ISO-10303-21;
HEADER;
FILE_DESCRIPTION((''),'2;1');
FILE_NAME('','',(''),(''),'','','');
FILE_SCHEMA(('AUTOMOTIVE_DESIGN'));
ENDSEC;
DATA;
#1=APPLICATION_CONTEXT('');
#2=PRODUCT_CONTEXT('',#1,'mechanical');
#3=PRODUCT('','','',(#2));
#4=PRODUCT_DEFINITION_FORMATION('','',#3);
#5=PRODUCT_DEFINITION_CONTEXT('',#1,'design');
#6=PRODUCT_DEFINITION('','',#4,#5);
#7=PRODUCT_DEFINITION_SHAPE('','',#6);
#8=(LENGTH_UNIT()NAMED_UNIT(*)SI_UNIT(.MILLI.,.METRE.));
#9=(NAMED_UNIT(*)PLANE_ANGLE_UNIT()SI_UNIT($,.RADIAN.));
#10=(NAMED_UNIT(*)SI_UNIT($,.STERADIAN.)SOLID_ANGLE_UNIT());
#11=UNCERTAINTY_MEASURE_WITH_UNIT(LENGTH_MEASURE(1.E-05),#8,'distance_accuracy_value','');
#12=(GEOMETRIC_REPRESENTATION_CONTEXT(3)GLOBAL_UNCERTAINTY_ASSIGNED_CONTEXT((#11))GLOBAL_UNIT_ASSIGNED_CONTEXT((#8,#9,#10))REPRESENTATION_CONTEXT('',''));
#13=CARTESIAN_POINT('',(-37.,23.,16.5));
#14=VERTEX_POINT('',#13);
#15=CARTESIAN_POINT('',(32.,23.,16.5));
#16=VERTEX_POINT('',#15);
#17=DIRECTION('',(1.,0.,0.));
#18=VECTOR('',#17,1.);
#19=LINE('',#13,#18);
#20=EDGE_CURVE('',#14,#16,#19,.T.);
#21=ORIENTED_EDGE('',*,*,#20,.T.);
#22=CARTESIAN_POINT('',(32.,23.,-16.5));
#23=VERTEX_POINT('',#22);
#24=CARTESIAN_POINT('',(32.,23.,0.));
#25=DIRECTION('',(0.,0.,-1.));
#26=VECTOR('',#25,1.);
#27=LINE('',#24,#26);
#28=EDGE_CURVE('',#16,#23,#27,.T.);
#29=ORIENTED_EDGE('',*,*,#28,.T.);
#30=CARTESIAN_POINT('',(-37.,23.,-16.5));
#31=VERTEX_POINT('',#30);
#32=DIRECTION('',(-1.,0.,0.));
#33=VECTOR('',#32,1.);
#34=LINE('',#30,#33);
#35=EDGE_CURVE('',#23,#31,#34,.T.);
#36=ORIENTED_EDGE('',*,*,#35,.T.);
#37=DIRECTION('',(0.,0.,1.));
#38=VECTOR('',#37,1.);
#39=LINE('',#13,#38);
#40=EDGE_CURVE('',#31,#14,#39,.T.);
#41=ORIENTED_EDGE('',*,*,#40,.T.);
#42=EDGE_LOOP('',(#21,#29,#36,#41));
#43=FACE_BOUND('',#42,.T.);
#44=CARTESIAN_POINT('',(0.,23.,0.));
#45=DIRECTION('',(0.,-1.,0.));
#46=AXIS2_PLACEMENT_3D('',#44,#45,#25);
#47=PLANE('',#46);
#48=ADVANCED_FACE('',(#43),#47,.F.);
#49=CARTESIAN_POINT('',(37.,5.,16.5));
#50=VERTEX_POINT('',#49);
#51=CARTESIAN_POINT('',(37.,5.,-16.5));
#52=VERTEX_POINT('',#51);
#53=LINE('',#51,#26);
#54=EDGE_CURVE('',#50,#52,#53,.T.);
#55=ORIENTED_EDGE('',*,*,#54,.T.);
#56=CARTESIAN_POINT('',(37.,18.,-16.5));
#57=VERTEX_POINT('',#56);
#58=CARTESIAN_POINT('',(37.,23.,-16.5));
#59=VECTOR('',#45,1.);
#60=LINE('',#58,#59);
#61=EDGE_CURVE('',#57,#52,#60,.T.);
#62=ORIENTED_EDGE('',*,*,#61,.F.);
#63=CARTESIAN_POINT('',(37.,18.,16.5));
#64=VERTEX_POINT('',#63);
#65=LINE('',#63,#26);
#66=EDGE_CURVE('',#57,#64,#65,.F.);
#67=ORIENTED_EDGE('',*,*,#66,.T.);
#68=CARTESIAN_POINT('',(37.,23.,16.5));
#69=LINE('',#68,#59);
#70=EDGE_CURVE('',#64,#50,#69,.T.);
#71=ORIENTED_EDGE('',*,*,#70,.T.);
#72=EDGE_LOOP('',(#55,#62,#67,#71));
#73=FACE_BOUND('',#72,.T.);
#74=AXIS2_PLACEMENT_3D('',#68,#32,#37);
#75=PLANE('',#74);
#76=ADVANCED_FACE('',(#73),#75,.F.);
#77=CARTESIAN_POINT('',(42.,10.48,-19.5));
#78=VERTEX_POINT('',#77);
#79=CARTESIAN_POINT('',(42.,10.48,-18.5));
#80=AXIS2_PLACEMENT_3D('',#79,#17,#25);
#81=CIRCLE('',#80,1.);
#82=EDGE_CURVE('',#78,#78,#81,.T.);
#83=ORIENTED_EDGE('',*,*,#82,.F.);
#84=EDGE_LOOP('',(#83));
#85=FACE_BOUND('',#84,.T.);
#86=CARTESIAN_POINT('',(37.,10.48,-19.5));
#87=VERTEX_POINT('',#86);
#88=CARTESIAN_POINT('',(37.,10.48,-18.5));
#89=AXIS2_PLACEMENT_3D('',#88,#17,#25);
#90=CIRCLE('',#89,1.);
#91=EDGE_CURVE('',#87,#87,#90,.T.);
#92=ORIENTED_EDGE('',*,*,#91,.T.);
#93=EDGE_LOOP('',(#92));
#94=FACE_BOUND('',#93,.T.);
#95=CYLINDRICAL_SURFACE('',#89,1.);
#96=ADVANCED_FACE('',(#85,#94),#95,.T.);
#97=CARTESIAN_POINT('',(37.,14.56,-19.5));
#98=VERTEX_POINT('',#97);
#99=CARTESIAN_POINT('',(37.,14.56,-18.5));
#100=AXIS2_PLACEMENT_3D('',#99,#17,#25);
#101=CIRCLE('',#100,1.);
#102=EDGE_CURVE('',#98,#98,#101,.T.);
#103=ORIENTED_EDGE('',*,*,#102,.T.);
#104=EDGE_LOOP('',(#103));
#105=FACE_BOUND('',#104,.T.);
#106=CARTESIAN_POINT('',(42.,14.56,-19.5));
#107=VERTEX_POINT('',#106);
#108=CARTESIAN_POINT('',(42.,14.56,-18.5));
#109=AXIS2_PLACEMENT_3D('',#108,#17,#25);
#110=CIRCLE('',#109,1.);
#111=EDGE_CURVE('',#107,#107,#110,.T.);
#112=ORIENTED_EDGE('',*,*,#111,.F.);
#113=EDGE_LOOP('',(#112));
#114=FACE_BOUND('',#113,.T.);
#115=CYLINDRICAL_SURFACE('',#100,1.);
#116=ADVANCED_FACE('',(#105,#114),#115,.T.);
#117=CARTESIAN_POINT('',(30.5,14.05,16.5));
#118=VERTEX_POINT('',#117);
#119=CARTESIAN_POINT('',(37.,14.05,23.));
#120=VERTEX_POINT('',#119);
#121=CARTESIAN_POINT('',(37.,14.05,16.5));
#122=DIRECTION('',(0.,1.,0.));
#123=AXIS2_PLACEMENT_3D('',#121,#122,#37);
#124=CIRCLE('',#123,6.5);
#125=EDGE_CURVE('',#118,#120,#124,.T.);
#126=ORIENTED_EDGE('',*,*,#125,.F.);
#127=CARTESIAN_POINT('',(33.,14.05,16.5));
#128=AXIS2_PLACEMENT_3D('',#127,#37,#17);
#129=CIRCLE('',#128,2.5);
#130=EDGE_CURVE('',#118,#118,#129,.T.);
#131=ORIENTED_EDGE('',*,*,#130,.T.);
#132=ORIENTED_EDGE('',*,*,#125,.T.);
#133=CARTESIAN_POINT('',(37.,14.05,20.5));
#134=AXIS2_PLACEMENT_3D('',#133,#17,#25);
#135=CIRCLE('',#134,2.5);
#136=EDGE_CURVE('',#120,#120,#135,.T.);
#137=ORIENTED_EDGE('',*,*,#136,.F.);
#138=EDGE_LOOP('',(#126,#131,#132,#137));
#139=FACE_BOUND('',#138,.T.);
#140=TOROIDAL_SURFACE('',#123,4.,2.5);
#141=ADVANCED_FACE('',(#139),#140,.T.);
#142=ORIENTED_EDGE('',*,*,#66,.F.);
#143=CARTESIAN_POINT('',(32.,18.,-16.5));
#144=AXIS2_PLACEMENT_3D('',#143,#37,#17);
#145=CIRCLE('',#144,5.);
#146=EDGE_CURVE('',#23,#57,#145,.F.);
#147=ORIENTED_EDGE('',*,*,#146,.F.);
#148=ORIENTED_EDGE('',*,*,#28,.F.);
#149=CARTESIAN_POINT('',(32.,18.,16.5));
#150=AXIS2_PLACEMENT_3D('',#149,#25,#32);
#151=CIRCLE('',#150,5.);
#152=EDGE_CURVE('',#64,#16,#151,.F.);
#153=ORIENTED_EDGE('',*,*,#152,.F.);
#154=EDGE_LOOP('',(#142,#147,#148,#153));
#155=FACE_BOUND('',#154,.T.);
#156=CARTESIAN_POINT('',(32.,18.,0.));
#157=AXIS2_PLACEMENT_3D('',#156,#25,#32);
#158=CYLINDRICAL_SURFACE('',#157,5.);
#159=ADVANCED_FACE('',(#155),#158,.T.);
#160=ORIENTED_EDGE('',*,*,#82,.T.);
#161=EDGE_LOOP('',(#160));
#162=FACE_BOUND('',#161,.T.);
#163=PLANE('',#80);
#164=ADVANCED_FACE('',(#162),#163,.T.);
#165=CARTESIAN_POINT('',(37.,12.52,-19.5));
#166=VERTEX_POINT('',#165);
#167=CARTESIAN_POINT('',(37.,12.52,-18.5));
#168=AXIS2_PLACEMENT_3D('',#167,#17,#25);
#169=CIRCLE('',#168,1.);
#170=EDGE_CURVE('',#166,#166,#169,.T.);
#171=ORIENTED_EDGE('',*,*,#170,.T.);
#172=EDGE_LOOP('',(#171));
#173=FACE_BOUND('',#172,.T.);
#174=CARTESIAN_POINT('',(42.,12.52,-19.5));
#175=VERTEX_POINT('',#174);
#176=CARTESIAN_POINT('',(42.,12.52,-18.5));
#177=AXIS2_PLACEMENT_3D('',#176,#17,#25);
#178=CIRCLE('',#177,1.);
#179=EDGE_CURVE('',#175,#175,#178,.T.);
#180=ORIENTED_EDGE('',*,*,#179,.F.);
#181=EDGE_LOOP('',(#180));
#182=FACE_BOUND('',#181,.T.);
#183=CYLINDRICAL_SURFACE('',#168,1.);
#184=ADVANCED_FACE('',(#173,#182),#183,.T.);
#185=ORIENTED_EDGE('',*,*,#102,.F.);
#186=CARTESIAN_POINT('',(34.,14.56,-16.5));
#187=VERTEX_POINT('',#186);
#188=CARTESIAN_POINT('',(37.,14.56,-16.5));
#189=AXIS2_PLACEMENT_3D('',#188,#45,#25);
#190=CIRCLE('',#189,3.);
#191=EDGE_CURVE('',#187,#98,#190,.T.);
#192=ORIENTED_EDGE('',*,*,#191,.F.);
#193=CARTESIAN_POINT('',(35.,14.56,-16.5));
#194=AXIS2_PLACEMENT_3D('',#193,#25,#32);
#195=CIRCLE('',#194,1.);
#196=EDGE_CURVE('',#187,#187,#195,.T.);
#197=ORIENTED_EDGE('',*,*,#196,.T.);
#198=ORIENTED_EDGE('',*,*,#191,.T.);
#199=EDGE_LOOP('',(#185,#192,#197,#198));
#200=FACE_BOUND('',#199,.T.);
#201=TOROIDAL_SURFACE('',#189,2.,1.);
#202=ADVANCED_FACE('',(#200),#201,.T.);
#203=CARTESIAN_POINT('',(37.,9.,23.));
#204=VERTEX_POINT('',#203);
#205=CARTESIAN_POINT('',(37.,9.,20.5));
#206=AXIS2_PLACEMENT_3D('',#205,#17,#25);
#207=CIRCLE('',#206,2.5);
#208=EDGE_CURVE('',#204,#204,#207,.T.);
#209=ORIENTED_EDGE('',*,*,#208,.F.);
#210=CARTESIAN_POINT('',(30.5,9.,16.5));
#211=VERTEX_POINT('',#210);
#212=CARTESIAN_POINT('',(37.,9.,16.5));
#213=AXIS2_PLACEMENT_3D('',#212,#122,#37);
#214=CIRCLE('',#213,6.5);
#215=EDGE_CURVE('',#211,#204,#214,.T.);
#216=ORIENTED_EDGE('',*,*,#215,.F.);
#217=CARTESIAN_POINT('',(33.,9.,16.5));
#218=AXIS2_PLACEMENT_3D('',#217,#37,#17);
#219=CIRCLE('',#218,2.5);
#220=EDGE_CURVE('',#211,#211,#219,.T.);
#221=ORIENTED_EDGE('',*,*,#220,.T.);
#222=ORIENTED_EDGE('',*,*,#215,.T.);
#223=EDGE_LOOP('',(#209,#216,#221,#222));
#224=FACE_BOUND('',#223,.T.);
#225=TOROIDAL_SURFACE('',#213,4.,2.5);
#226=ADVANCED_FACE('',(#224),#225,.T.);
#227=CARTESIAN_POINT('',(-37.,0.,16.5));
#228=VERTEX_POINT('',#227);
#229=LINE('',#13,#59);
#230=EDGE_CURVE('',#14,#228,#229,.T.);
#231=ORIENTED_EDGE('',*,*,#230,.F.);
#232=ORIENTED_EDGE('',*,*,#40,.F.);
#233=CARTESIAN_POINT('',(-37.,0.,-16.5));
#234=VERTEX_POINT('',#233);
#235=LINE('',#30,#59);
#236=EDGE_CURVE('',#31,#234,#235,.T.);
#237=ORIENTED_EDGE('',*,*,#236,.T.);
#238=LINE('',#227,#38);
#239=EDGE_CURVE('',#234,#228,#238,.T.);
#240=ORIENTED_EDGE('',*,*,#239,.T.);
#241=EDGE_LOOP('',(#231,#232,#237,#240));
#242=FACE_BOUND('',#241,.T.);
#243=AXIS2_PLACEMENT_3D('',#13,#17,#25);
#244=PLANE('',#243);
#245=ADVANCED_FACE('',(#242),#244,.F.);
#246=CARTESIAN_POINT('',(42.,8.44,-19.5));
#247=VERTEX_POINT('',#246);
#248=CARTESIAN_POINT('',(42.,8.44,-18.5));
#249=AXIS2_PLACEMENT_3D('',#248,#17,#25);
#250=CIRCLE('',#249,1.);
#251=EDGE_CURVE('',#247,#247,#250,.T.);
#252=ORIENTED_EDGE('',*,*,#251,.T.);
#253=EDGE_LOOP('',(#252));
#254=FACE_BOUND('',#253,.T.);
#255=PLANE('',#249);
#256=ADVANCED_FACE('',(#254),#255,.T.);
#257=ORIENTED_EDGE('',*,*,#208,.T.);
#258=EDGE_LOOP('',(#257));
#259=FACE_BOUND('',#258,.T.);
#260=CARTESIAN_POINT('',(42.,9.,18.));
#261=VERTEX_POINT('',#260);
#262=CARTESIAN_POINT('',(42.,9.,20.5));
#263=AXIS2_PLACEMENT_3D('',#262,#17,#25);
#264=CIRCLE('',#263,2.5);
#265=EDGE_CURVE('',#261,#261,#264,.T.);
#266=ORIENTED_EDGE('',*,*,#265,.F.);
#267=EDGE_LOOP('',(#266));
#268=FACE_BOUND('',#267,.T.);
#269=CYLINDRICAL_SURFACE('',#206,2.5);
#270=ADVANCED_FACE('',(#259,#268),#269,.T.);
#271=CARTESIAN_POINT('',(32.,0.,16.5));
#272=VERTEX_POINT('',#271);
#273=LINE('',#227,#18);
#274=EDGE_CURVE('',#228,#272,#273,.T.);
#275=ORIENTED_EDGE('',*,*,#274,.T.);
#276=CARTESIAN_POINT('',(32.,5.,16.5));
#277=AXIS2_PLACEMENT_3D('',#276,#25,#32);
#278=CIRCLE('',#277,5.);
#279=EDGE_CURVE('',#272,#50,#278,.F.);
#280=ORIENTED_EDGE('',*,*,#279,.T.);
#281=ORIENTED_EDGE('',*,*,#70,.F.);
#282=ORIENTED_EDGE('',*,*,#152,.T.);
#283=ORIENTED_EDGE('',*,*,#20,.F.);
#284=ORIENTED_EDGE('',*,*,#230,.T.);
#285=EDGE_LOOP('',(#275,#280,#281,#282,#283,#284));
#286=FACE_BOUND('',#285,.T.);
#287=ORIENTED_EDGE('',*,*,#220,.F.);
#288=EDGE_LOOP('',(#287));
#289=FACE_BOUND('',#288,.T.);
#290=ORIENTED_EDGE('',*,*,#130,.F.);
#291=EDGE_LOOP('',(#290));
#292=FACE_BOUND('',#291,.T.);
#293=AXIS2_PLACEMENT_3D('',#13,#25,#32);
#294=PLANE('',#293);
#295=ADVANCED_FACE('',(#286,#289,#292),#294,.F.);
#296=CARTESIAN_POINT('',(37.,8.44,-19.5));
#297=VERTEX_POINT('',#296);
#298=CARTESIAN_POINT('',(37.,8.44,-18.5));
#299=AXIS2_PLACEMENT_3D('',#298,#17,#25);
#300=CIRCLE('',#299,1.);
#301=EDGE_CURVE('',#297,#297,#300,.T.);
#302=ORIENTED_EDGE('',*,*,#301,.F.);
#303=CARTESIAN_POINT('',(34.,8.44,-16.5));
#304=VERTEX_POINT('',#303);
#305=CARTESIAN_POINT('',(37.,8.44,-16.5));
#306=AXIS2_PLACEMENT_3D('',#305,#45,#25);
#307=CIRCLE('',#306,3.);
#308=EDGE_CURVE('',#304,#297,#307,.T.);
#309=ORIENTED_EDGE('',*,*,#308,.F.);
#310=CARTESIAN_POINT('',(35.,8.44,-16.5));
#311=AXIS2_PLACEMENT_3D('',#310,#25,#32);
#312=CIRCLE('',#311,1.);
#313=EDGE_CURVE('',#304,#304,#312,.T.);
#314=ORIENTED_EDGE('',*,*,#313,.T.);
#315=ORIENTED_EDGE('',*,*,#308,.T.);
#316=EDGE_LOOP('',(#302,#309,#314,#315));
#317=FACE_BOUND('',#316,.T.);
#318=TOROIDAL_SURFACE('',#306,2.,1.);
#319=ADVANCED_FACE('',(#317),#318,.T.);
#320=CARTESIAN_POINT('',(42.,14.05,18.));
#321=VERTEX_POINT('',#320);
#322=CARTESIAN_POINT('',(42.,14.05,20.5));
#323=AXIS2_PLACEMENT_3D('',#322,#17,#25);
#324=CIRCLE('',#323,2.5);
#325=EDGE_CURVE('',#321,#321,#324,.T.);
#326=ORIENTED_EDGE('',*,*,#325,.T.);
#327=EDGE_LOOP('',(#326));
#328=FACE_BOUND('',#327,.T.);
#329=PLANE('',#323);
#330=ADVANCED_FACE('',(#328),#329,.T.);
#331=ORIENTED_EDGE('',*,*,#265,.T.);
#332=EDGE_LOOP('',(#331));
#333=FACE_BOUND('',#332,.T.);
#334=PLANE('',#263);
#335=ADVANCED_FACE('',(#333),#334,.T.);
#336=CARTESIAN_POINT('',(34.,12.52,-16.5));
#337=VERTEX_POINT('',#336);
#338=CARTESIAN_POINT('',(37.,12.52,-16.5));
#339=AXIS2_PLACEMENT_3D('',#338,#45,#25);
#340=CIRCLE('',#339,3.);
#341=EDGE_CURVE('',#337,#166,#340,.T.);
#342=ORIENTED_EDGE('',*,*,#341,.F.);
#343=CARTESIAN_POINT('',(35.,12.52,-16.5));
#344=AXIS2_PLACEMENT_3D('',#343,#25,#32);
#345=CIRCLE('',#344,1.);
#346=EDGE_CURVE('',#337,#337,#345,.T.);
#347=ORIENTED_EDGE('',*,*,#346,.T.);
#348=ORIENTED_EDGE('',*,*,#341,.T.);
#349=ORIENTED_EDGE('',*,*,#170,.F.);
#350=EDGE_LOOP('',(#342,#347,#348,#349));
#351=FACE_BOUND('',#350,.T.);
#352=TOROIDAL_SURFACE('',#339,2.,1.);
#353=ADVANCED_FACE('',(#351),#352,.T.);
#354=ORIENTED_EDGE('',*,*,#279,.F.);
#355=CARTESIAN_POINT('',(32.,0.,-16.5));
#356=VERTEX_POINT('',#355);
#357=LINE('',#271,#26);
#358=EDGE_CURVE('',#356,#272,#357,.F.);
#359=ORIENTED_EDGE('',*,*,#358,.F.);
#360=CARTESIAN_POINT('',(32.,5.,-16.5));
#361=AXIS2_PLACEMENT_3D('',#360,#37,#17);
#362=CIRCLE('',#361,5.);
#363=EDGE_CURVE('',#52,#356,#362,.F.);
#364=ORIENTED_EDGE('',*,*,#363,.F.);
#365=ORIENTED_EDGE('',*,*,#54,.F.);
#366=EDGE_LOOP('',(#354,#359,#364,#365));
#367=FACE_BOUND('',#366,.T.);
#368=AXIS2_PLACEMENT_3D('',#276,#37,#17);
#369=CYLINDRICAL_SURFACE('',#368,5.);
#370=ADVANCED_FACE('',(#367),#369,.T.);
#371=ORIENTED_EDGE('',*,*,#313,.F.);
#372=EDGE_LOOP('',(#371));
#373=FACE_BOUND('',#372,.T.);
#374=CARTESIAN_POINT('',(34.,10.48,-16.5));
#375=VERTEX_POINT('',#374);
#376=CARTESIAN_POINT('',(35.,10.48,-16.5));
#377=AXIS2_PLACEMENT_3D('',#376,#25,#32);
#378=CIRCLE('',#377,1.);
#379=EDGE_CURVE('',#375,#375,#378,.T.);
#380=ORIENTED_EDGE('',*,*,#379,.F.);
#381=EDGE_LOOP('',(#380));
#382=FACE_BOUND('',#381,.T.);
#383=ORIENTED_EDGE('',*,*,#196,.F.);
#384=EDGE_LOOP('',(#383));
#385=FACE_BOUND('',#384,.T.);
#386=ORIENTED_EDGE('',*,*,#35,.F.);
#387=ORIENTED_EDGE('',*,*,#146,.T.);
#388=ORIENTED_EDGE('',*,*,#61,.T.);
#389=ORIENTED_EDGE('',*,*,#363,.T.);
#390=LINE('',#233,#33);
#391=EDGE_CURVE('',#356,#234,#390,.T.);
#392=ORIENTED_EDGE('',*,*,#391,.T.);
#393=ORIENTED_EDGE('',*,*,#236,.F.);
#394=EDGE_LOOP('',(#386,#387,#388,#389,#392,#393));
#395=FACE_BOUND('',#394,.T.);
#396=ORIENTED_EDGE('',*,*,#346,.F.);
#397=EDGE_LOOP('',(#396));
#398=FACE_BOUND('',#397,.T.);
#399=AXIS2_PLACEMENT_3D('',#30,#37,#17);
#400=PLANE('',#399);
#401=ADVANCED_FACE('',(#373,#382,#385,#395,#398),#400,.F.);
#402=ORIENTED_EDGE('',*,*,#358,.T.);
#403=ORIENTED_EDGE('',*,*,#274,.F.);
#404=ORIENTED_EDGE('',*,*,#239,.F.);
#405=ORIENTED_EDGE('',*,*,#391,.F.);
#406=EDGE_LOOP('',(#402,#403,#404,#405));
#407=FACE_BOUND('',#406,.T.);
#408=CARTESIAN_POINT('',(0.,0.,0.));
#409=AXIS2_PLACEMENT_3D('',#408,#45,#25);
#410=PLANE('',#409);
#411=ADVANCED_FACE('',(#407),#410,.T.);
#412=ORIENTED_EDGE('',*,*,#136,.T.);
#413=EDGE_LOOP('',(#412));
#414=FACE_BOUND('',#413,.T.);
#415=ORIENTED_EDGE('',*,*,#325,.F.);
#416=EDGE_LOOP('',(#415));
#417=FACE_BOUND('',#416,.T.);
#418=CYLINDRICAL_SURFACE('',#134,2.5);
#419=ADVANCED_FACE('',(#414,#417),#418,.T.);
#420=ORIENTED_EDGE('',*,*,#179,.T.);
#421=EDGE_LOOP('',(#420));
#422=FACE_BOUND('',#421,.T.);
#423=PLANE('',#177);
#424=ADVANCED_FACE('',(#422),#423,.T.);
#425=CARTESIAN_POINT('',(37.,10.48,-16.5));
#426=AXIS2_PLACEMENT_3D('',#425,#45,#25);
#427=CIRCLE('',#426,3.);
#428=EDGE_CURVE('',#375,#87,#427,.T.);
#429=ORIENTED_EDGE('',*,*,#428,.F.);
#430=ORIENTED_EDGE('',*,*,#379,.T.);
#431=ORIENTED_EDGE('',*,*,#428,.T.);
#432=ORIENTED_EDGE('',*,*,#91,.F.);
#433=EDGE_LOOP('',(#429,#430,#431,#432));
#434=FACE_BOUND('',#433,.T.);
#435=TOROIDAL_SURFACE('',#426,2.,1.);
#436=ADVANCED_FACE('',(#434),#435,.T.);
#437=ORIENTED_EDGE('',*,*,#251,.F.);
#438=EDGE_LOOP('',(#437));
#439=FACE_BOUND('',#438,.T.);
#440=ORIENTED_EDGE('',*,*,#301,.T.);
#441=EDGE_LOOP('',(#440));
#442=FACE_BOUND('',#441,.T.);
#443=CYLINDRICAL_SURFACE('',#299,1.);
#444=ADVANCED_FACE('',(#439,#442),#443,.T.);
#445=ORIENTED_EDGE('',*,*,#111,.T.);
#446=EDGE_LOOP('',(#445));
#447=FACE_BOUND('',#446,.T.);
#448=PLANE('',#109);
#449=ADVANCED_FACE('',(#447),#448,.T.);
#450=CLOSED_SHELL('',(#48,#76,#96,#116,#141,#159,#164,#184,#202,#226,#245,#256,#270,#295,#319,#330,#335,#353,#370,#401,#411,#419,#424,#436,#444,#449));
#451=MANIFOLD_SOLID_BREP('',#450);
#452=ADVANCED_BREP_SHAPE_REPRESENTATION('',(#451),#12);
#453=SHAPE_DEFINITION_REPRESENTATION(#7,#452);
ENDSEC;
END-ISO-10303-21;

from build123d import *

# Parameters (mm, degrees)
SKETCH1_W           = 74
SKETCH1_H           = 33
BOSS_EXTRUDE1_DEPTH = 23
FILLET1_R           = 5
SKETCH2_R           = 2.5
SKETCH9_R           = 1


with BuildPart() as part:
    # Sketch1 → Boss-Extrude1 (new body)
    with BuildSketch(Plane(origin=(0, 0, 0), x_dir=(1, 0, 0), z_dir=(0, 1, 0))):
        Rectangle(SKETCH1_W, SKETCH1_H)
    extrude(amount=BOSS_EXTRUDE1_DEPTH)

    # Fillet1
    fillet1_edges = [part.edges().sort_by_distance(p)[0] for p in [
        (37, 23, 0),
        (37, 0, 0),
    ]]
    fillet(fillet1_edges, radius=FILLET1_R)

    # Sweep5: sweep along a path in Sketch7
    with BuildLine(Plane(origin=(0, 0, 0), x_dir=(-1, 0, 0), z_dir=(0, -1, 0))) as sweep5_path:
        Line((-42, -20.5), (-37, -20.5))
        ThreePointArc((-37, -20.5), (-34.171572875, -19.328427125), (-33, -16.5))
    # Sketch2 → Sweep5 (sweep)
    with BuildSketch(Plane.XY.offset(16.5)):
        with Locations((33, 14.05)):
            Circle(SKETCH2_R)
        with Locations((33, 9)):
            Circle(SKETCH2_R)
    sweep(path=sweep5_path.line)

    # Sweep6: sweep along a path in Sketch10
    with BuildLine(Plane(origin=(0, 0, 0), x_dir=(1, 0, 0), z_dir=(0, 1, 0))) as sweep6_path:
        Line((42, 18.5), (37, 18.5))
        ThreePointArc((37, 18.5), (35.585786438, 17.914213562), (35, 16.5))
    # Sketch9 → Sweep6 (sweep)
    with BuildSketch(Plane(origin=(0, 0, -16.5), x_dir=(-1, 0, 0), z_dir=(0, 0, -1))):
        with Locations((-35, 12.52)):
            Circle(SKETCH9_R)
        with Locations((-35, 10.48)):
            Circle(SKETCH9_R)
        with Locations((-35, 14.56)):
            Circle(SKETCH9_R)
        with Locations((-35, 8.44)):
            Circle(SKETCH9_R)
    sweep(path=sweep6_path.line)


solid = part.part
